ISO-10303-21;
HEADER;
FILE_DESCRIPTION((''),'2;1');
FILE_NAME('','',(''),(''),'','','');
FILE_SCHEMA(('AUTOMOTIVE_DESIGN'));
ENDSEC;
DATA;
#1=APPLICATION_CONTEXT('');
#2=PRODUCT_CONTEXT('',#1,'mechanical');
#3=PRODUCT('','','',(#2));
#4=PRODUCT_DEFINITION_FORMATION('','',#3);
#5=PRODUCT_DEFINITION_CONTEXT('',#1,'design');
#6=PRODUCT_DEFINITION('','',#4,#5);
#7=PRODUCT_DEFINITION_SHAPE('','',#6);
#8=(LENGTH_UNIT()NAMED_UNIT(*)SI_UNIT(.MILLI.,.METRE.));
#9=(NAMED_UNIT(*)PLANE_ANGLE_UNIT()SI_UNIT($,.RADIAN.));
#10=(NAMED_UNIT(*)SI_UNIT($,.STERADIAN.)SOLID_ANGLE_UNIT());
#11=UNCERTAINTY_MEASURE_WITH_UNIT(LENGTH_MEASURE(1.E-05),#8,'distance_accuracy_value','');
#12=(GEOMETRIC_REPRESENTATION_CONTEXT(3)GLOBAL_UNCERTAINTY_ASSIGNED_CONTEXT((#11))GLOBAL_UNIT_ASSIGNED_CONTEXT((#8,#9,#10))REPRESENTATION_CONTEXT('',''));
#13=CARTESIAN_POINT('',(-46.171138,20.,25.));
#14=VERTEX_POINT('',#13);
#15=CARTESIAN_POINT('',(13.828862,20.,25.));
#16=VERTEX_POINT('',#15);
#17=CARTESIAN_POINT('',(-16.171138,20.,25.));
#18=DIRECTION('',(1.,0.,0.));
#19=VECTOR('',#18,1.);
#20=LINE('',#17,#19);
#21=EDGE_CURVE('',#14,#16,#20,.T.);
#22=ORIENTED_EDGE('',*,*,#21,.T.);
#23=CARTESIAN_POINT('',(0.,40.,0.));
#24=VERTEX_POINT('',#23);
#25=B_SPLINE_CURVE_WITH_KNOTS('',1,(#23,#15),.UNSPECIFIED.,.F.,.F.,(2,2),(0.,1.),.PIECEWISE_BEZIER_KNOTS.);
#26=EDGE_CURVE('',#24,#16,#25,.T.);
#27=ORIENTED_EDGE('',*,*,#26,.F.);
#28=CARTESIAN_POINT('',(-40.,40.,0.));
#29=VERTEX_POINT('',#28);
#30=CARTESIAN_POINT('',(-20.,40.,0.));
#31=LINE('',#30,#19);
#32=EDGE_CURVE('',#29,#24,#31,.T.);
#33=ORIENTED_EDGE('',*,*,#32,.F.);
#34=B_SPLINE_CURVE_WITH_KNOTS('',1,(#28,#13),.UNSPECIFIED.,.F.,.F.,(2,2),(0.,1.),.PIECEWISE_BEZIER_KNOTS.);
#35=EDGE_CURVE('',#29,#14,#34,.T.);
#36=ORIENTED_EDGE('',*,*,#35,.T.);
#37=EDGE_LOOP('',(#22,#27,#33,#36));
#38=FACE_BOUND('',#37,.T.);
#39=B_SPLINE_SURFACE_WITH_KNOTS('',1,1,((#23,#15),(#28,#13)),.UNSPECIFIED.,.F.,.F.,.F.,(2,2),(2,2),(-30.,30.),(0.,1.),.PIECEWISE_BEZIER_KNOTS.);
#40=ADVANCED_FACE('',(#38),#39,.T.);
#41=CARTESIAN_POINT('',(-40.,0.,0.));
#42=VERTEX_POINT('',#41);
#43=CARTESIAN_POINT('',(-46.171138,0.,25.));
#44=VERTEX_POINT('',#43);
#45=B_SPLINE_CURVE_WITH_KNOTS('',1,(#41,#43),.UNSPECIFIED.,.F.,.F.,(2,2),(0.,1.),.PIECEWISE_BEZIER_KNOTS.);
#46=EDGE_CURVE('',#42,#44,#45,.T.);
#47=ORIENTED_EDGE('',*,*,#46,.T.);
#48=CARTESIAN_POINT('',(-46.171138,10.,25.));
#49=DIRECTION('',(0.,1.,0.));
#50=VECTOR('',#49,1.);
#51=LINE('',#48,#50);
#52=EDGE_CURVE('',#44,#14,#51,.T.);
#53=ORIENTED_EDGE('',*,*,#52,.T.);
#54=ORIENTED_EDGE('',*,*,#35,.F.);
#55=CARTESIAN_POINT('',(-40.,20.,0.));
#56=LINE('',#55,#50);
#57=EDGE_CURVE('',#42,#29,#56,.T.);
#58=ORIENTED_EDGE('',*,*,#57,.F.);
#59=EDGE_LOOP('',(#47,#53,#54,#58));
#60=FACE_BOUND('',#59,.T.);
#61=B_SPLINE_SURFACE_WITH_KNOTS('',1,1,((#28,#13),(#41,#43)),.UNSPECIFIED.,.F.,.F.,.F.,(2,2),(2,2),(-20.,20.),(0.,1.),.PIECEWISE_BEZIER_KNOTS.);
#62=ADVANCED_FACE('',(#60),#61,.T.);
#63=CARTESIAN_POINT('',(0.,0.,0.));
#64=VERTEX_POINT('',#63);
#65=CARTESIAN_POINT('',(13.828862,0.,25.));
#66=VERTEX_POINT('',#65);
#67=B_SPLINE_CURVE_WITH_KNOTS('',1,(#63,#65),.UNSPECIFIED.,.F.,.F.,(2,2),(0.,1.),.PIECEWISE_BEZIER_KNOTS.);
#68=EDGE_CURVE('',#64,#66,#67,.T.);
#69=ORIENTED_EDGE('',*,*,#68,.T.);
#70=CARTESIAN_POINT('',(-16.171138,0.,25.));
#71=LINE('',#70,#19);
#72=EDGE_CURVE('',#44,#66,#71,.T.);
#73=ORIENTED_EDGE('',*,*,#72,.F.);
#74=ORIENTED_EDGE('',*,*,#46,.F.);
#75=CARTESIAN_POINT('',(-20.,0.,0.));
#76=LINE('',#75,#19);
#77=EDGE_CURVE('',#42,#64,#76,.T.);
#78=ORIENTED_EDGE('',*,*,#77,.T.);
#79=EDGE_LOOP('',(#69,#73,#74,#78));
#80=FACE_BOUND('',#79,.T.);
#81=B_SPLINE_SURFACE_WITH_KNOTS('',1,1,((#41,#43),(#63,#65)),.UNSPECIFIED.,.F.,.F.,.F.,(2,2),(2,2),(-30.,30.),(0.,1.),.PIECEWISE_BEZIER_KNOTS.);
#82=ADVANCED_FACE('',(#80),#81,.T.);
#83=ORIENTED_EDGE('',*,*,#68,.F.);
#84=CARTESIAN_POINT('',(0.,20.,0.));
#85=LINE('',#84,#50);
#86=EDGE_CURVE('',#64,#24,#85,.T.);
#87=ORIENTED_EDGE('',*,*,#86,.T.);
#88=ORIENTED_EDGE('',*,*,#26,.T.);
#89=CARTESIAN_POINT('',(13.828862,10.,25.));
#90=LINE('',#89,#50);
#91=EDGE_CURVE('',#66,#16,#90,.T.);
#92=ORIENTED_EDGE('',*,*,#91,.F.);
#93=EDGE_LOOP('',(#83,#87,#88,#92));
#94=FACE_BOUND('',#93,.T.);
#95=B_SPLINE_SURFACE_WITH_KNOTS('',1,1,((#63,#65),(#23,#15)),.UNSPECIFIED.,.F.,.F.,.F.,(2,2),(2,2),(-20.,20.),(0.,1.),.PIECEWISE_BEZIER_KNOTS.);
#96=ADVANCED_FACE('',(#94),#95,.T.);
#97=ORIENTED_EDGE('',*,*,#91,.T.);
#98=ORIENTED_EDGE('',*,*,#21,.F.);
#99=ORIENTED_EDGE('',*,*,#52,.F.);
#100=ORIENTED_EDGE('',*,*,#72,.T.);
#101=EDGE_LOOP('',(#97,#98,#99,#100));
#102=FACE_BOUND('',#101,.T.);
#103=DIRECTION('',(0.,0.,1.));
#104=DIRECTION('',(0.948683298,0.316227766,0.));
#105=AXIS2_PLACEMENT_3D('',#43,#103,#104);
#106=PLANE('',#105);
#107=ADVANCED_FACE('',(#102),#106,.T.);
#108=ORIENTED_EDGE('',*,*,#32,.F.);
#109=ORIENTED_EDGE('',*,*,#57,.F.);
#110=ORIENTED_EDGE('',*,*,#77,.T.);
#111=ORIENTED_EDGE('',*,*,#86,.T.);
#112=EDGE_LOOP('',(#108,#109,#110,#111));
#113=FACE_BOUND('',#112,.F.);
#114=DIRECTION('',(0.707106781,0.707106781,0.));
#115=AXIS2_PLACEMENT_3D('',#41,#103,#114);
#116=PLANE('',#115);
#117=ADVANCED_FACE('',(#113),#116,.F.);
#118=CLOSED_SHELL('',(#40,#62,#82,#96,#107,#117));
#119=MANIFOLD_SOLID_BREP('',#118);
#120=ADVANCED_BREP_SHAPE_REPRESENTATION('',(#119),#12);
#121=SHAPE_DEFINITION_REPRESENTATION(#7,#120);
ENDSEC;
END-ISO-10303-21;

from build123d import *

# Parameters (mm, degrees)
F0_W = 40
F0_H = 40
F2_W = 60
F2_H = 20


with BuildPart() as f3:
    # F0 (on Top) → F3 section 0
    with BuildSketch(Plane.XY):
        with Locations((-20, 20)):
            Rectangle(F0_W, F0_H)
    # F2 (on offset) → F3 section 1
    with BuildSketch(Plane.XY.offset(25)):
        with Locations((-16.171138, 10)):
            Rectangle(F2_W, F2_H)
    loft()


solid = f3.part
